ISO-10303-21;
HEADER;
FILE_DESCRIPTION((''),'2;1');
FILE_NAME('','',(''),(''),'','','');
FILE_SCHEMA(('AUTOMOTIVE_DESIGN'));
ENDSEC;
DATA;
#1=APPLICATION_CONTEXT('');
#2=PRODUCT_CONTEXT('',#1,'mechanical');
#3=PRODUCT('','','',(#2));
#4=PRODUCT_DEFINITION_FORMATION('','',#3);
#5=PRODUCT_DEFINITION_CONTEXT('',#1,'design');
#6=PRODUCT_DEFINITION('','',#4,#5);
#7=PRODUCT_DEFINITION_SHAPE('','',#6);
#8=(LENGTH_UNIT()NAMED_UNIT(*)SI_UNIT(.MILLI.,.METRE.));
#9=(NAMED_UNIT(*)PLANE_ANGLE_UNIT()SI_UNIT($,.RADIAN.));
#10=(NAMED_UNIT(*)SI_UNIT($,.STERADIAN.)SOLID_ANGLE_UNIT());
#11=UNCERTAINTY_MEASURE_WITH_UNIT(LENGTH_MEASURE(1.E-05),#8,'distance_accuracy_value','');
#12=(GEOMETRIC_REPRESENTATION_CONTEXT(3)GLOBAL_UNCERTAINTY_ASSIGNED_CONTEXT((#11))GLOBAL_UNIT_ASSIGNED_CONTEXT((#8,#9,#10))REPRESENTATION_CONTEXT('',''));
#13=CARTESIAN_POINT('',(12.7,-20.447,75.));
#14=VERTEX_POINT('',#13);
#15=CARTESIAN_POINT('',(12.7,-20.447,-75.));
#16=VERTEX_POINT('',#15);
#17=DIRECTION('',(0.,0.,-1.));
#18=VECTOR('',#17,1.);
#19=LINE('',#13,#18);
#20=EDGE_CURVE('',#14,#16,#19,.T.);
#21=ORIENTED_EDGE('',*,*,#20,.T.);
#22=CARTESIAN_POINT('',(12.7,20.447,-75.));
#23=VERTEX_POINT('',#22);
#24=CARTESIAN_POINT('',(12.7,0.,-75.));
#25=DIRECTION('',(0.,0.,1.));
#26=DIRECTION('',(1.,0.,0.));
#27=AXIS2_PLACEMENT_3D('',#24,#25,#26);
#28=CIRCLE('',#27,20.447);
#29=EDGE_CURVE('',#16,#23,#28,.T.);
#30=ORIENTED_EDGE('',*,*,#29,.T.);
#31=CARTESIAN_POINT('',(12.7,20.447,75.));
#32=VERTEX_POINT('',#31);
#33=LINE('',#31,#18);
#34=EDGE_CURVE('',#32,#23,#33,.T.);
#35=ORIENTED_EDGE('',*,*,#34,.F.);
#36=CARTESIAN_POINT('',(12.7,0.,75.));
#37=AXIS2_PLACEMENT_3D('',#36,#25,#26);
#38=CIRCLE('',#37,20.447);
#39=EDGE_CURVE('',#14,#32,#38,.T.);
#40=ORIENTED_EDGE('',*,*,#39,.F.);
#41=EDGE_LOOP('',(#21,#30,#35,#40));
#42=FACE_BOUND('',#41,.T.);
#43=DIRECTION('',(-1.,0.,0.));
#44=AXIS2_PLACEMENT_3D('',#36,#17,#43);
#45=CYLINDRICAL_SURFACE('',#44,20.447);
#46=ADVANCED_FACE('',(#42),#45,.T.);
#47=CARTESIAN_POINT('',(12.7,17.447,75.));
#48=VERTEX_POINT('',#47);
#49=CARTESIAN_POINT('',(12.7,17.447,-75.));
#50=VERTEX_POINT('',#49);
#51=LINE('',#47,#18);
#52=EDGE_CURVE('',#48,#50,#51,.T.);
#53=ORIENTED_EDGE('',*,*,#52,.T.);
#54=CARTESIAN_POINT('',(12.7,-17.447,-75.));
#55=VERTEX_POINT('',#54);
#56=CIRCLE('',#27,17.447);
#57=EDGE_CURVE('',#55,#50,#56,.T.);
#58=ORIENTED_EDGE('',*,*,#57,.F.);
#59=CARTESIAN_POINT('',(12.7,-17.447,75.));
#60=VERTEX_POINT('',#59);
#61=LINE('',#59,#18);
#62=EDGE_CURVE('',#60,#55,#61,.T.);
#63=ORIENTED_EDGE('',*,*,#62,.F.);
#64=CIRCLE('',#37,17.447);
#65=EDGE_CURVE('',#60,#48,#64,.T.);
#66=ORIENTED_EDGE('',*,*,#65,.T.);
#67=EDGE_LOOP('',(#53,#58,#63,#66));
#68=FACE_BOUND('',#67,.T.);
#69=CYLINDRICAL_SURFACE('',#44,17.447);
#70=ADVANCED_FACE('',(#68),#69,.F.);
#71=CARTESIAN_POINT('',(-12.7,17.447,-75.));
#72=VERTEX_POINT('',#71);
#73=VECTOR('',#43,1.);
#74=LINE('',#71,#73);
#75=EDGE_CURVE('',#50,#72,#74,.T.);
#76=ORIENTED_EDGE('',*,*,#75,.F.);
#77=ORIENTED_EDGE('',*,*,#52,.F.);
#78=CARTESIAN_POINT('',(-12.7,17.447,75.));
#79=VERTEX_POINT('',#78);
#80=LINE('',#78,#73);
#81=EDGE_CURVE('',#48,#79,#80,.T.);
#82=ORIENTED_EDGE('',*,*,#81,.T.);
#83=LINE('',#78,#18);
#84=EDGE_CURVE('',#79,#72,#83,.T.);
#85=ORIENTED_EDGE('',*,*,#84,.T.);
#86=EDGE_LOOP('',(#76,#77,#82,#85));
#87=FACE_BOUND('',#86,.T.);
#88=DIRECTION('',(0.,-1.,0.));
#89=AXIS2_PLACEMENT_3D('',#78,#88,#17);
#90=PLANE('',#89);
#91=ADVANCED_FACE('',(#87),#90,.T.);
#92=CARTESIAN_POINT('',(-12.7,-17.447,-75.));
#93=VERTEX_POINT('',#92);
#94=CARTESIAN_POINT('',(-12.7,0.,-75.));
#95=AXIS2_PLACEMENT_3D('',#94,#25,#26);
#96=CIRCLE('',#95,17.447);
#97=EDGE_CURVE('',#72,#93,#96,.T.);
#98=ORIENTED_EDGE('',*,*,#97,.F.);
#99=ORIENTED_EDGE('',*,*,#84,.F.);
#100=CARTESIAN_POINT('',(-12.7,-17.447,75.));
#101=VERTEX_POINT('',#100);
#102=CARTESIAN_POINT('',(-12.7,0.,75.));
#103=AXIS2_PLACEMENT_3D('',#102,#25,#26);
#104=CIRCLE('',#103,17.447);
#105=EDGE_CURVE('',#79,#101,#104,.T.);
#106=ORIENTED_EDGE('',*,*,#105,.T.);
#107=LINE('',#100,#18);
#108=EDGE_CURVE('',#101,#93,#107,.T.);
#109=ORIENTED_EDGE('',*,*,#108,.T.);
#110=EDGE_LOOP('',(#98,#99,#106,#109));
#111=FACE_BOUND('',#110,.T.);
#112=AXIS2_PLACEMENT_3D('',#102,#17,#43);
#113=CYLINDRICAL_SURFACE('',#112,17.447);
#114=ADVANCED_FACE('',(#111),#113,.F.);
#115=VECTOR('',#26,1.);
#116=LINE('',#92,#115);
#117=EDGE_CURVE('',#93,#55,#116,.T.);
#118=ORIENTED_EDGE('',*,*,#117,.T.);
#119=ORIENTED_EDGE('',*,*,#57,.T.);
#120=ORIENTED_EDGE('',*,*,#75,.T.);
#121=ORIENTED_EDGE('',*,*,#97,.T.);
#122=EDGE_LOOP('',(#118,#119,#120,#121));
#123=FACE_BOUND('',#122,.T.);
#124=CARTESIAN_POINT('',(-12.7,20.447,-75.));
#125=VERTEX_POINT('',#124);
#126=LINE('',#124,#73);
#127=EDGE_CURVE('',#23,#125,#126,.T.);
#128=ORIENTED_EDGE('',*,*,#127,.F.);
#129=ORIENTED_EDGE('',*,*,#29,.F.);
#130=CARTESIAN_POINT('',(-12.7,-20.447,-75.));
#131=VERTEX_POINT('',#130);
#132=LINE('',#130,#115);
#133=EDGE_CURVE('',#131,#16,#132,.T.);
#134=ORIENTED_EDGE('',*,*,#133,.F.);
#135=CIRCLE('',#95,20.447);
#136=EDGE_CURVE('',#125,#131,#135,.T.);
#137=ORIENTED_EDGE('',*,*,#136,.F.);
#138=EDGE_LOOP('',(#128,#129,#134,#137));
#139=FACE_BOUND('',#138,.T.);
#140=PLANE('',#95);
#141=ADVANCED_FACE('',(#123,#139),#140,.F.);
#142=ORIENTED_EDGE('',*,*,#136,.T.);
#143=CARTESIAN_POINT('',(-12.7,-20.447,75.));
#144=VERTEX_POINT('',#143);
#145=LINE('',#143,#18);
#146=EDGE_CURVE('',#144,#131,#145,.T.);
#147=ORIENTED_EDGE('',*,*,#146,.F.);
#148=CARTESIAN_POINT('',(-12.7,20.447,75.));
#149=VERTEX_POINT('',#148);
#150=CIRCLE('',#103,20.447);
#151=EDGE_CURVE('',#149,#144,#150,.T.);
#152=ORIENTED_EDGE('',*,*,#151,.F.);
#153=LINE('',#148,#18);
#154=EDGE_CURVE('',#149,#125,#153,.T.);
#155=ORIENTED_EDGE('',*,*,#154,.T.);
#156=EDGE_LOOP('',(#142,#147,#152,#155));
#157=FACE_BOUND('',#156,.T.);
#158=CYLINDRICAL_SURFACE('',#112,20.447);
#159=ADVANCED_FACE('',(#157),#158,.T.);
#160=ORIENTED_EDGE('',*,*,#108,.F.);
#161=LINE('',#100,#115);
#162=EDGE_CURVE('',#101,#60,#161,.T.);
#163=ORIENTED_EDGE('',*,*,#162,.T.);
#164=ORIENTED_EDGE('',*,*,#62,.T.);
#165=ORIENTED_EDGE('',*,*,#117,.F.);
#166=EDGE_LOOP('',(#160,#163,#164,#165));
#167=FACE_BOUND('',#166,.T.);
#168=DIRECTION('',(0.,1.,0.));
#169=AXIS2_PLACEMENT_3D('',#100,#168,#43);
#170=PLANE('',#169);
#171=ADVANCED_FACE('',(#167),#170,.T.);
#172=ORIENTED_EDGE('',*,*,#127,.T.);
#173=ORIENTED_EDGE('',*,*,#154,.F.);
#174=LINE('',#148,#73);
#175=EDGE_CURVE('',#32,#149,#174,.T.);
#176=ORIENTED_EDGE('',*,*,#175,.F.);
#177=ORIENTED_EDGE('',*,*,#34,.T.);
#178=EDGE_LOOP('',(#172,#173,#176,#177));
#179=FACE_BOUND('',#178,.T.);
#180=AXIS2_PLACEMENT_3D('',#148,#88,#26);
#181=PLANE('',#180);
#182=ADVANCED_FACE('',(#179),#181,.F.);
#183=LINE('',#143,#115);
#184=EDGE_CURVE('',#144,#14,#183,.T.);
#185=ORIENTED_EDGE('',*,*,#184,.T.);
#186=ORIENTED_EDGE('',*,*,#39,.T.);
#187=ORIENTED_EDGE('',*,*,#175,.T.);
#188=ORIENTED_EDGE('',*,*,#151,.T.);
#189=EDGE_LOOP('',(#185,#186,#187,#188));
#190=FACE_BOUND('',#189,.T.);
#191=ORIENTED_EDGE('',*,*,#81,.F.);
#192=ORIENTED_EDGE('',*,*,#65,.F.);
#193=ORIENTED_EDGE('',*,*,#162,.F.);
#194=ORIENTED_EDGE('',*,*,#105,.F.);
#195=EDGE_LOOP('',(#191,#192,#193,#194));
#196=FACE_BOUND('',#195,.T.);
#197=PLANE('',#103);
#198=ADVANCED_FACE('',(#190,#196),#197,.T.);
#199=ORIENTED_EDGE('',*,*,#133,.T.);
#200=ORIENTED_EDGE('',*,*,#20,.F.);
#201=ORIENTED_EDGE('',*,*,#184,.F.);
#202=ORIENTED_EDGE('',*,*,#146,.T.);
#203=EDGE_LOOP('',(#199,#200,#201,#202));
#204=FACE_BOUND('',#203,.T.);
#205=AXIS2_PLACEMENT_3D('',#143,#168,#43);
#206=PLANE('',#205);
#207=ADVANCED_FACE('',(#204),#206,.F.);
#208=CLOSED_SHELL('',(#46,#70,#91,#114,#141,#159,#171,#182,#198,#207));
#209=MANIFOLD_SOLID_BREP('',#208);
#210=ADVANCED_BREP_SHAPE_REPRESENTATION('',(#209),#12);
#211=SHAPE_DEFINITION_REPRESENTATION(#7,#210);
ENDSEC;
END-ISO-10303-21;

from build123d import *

# Parameters (mm, degrees)
BOSS_EXTRUDE1_DEPTH = 75


with BuildPart() as part:
    # Sketch2 → Boss-Extrude1 (new, symmetric)
    with BuildSketch(Plane.XY):
        with BuildLine():
            Line((-12.7, 20.447), (12.7, 20.447))
            ThreePointArc((12.7, 20.447), (33.147, 0), (12.7, -20.447))
            Line((12.7, -20.447), (-12.7, -20.447))
            ThreePointArc((-12.7, -20.447), (-33.147, 0), (-12.7, 20.447))
        make_face()
        with BuildLine():
            Line((-12.7, 17.447), (12.7, 17.447))
            ThreePointArc((12.7, 17.447), (30.147, 0), (12.7, -17.447))
            Line((12.7, -17.447), (-12.7, -17.447))
            ThreePointArc((-12.7, -17.447), (-30.147, 0), (-12.7, 17.447))
        make_face(mode=Mode.SUBTRACT)
    extrude(amount=BOSS_EXTRUDE1_DEPTH, both=True)


solid = part.part
